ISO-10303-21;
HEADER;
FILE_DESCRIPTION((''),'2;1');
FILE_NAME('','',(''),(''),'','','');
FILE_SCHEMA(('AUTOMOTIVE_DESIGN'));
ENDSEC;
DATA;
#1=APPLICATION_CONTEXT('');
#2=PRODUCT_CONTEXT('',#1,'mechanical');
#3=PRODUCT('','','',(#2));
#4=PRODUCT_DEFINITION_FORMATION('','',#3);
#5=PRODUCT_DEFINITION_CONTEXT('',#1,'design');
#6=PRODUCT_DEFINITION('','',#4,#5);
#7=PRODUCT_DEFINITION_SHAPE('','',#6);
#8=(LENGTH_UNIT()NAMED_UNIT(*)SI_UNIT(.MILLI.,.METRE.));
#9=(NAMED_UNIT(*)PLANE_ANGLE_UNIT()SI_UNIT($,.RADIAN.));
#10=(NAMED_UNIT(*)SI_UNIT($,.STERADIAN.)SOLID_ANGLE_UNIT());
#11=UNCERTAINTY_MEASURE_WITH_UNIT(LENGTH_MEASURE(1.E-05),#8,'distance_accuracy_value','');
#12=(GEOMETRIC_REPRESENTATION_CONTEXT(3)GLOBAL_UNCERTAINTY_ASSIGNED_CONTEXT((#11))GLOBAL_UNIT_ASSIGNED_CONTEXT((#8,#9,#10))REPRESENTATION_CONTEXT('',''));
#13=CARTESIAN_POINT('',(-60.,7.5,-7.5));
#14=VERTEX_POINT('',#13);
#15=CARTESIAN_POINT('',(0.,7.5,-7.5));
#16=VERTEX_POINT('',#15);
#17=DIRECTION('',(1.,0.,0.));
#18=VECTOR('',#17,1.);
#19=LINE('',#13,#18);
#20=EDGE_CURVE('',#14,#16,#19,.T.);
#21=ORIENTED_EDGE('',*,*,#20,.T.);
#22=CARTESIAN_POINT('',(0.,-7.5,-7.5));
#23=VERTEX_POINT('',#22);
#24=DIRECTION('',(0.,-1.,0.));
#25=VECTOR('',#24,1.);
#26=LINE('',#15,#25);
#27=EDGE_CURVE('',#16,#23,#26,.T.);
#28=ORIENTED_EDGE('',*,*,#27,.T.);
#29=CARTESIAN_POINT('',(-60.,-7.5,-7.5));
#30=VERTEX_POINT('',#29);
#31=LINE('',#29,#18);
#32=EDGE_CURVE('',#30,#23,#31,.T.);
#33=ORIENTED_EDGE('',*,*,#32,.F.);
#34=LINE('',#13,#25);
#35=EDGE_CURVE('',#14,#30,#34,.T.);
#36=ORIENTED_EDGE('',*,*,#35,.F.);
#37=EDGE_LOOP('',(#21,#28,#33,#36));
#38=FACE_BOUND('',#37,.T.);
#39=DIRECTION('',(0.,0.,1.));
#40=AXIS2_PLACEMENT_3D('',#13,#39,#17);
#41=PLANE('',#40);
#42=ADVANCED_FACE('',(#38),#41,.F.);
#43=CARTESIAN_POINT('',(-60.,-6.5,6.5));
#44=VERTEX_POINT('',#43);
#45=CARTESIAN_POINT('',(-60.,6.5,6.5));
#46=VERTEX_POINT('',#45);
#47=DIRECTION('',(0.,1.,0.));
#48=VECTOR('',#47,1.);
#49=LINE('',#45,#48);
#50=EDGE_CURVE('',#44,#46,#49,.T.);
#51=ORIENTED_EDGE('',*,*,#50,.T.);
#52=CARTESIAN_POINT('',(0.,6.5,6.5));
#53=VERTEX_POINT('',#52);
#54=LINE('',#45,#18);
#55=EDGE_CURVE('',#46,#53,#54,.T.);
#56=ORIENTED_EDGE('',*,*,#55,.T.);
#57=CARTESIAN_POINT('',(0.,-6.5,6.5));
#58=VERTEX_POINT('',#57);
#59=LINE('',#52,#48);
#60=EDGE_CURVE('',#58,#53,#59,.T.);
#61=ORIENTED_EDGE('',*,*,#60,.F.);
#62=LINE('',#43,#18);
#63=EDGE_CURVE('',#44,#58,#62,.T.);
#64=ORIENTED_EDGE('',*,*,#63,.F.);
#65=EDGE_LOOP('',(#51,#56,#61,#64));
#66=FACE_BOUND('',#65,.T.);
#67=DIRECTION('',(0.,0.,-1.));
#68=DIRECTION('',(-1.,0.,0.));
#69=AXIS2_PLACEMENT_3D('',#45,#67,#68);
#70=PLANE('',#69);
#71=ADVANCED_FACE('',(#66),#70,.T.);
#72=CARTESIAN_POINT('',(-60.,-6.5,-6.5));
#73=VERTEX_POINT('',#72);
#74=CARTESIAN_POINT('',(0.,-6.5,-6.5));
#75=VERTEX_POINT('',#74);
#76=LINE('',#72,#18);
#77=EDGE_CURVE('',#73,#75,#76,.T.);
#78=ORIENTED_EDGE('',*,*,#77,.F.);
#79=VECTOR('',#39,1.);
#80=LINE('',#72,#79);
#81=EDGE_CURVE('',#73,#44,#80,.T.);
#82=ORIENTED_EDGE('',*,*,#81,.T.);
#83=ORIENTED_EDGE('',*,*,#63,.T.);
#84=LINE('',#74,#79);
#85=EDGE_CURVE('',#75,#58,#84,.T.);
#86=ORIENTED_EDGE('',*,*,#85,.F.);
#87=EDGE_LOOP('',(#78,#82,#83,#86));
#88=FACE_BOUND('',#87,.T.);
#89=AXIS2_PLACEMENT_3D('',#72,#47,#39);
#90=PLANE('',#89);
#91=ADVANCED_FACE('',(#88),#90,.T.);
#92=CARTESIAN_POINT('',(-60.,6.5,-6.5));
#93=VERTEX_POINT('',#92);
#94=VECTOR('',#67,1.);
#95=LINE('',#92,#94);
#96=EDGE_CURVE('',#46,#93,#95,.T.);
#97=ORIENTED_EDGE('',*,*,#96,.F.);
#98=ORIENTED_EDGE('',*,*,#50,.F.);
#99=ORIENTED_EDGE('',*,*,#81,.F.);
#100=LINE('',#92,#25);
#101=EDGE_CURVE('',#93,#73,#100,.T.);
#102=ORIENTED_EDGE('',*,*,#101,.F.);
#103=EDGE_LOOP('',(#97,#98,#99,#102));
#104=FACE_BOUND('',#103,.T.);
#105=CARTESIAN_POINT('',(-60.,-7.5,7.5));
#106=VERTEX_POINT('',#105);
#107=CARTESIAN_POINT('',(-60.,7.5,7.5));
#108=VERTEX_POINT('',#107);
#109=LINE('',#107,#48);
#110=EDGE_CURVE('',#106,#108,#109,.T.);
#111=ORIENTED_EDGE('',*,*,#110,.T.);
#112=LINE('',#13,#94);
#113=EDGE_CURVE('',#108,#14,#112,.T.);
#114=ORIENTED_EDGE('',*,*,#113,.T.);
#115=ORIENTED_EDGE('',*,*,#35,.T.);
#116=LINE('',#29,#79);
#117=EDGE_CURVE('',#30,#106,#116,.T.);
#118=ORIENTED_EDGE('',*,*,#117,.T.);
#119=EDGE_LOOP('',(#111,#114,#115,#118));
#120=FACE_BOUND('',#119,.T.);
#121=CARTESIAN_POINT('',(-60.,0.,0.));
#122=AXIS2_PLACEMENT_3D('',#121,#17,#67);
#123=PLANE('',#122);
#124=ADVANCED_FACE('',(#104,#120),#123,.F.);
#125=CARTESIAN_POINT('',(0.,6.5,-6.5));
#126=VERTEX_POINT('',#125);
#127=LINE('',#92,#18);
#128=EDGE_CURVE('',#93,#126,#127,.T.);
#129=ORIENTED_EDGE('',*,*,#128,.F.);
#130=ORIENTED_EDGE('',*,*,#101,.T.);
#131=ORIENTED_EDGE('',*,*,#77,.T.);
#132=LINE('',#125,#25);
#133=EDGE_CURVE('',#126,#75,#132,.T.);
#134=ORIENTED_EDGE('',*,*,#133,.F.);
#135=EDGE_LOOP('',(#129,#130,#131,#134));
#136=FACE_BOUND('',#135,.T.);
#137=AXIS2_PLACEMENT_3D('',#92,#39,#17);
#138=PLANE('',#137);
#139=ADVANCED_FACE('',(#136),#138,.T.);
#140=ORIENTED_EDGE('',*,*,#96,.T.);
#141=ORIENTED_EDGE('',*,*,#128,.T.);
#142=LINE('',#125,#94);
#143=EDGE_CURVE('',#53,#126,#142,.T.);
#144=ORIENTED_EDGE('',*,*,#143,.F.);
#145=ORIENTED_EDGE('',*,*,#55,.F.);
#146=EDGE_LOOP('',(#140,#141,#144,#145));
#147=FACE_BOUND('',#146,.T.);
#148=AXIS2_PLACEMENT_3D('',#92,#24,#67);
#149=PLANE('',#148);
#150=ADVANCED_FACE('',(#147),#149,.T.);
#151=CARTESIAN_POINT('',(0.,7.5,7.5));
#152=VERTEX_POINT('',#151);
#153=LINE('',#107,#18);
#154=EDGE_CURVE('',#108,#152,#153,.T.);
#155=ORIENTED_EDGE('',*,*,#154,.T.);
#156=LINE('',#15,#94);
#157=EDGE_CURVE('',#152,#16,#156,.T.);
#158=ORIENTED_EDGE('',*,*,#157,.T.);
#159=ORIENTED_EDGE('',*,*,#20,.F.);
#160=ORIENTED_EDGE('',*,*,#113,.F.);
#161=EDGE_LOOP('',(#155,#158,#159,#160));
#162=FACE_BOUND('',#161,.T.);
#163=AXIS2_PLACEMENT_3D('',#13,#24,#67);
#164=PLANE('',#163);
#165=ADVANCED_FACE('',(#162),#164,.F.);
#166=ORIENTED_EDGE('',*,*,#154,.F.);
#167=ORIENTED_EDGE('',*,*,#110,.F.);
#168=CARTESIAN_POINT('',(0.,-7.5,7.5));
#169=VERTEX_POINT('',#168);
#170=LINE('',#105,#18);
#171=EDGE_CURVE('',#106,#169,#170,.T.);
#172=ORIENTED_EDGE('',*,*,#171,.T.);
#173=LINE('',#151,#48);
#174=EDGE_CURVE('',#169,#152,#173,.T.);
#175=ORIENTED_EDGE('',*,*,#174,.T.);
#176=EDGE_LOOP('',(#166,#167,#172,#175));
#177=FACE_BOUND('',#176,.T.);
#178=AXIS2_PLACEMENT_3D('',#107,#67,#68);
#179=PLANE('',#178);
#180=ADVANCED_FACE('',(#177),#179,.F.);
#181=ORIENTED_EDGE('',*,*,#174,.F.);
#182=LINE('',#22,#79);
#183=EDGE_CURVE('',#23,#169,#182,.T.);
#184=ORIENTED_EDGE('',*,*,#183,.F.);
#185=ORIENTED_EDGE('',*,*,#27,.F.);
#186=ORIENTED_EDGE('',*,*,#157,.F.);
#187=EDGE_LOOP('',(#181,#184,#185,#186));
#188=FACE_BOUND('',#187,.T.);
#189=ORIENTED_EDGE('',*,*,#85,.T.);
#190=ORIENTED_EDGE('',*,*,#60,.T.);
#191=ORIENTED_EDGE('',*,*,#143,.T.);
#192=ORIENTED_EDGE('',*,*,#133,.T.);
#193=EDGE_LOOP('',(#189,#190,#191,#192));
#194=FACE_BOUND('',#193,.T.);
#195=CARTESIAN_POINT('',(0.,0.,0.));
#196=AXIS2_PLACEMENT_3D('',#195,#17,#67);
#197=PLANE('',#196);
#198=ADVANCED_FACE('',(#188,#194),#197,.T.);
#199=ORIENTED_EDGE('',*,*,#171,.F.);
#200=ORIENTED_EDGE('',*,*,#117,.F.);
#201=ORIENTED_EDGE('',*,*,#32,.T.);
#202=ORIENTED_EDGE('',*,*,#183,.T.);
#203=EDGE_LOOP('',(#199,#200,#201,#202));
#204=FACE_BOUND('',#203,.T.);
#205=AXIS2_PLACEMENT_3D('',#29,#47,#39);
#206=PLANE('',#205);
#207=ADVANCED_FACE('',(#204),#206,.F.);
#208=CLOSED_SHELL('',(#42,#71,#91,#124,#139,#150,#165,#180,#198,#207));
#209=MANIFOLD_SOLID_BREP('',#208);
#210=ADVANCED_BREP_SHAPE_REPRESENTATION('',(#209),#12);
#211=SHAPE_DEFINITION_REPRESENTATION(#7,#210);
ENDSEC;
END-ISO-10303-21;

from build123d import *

# Parameters (mm, degrees)
SKETCH_11_W       = 15
SKETCH_11_H       = 15
SKETCH_11_W_2     = 13
SKETCH_11_H_2     = 13
F_15X15X1_1_DEPTH = 60


with BuildPart() as part:
    # 草图11 → 铝管 15X15X1(1) (new body)
    with BuildSketch(Plane(origin=(0, 0, 0), x_dir=(0, -1, 0), z_dir=(-1, 0, 0))):
        Rectangle(SKETCH_11_W, SKETCH_11_H)
        Rectangle(SKETCH_11_W_2, SKETCH_11_H_2, mode=Mode.SUBTRACT)
    extrude(amount=F_15X15X1_1_DEPTH)


solid = part.part
